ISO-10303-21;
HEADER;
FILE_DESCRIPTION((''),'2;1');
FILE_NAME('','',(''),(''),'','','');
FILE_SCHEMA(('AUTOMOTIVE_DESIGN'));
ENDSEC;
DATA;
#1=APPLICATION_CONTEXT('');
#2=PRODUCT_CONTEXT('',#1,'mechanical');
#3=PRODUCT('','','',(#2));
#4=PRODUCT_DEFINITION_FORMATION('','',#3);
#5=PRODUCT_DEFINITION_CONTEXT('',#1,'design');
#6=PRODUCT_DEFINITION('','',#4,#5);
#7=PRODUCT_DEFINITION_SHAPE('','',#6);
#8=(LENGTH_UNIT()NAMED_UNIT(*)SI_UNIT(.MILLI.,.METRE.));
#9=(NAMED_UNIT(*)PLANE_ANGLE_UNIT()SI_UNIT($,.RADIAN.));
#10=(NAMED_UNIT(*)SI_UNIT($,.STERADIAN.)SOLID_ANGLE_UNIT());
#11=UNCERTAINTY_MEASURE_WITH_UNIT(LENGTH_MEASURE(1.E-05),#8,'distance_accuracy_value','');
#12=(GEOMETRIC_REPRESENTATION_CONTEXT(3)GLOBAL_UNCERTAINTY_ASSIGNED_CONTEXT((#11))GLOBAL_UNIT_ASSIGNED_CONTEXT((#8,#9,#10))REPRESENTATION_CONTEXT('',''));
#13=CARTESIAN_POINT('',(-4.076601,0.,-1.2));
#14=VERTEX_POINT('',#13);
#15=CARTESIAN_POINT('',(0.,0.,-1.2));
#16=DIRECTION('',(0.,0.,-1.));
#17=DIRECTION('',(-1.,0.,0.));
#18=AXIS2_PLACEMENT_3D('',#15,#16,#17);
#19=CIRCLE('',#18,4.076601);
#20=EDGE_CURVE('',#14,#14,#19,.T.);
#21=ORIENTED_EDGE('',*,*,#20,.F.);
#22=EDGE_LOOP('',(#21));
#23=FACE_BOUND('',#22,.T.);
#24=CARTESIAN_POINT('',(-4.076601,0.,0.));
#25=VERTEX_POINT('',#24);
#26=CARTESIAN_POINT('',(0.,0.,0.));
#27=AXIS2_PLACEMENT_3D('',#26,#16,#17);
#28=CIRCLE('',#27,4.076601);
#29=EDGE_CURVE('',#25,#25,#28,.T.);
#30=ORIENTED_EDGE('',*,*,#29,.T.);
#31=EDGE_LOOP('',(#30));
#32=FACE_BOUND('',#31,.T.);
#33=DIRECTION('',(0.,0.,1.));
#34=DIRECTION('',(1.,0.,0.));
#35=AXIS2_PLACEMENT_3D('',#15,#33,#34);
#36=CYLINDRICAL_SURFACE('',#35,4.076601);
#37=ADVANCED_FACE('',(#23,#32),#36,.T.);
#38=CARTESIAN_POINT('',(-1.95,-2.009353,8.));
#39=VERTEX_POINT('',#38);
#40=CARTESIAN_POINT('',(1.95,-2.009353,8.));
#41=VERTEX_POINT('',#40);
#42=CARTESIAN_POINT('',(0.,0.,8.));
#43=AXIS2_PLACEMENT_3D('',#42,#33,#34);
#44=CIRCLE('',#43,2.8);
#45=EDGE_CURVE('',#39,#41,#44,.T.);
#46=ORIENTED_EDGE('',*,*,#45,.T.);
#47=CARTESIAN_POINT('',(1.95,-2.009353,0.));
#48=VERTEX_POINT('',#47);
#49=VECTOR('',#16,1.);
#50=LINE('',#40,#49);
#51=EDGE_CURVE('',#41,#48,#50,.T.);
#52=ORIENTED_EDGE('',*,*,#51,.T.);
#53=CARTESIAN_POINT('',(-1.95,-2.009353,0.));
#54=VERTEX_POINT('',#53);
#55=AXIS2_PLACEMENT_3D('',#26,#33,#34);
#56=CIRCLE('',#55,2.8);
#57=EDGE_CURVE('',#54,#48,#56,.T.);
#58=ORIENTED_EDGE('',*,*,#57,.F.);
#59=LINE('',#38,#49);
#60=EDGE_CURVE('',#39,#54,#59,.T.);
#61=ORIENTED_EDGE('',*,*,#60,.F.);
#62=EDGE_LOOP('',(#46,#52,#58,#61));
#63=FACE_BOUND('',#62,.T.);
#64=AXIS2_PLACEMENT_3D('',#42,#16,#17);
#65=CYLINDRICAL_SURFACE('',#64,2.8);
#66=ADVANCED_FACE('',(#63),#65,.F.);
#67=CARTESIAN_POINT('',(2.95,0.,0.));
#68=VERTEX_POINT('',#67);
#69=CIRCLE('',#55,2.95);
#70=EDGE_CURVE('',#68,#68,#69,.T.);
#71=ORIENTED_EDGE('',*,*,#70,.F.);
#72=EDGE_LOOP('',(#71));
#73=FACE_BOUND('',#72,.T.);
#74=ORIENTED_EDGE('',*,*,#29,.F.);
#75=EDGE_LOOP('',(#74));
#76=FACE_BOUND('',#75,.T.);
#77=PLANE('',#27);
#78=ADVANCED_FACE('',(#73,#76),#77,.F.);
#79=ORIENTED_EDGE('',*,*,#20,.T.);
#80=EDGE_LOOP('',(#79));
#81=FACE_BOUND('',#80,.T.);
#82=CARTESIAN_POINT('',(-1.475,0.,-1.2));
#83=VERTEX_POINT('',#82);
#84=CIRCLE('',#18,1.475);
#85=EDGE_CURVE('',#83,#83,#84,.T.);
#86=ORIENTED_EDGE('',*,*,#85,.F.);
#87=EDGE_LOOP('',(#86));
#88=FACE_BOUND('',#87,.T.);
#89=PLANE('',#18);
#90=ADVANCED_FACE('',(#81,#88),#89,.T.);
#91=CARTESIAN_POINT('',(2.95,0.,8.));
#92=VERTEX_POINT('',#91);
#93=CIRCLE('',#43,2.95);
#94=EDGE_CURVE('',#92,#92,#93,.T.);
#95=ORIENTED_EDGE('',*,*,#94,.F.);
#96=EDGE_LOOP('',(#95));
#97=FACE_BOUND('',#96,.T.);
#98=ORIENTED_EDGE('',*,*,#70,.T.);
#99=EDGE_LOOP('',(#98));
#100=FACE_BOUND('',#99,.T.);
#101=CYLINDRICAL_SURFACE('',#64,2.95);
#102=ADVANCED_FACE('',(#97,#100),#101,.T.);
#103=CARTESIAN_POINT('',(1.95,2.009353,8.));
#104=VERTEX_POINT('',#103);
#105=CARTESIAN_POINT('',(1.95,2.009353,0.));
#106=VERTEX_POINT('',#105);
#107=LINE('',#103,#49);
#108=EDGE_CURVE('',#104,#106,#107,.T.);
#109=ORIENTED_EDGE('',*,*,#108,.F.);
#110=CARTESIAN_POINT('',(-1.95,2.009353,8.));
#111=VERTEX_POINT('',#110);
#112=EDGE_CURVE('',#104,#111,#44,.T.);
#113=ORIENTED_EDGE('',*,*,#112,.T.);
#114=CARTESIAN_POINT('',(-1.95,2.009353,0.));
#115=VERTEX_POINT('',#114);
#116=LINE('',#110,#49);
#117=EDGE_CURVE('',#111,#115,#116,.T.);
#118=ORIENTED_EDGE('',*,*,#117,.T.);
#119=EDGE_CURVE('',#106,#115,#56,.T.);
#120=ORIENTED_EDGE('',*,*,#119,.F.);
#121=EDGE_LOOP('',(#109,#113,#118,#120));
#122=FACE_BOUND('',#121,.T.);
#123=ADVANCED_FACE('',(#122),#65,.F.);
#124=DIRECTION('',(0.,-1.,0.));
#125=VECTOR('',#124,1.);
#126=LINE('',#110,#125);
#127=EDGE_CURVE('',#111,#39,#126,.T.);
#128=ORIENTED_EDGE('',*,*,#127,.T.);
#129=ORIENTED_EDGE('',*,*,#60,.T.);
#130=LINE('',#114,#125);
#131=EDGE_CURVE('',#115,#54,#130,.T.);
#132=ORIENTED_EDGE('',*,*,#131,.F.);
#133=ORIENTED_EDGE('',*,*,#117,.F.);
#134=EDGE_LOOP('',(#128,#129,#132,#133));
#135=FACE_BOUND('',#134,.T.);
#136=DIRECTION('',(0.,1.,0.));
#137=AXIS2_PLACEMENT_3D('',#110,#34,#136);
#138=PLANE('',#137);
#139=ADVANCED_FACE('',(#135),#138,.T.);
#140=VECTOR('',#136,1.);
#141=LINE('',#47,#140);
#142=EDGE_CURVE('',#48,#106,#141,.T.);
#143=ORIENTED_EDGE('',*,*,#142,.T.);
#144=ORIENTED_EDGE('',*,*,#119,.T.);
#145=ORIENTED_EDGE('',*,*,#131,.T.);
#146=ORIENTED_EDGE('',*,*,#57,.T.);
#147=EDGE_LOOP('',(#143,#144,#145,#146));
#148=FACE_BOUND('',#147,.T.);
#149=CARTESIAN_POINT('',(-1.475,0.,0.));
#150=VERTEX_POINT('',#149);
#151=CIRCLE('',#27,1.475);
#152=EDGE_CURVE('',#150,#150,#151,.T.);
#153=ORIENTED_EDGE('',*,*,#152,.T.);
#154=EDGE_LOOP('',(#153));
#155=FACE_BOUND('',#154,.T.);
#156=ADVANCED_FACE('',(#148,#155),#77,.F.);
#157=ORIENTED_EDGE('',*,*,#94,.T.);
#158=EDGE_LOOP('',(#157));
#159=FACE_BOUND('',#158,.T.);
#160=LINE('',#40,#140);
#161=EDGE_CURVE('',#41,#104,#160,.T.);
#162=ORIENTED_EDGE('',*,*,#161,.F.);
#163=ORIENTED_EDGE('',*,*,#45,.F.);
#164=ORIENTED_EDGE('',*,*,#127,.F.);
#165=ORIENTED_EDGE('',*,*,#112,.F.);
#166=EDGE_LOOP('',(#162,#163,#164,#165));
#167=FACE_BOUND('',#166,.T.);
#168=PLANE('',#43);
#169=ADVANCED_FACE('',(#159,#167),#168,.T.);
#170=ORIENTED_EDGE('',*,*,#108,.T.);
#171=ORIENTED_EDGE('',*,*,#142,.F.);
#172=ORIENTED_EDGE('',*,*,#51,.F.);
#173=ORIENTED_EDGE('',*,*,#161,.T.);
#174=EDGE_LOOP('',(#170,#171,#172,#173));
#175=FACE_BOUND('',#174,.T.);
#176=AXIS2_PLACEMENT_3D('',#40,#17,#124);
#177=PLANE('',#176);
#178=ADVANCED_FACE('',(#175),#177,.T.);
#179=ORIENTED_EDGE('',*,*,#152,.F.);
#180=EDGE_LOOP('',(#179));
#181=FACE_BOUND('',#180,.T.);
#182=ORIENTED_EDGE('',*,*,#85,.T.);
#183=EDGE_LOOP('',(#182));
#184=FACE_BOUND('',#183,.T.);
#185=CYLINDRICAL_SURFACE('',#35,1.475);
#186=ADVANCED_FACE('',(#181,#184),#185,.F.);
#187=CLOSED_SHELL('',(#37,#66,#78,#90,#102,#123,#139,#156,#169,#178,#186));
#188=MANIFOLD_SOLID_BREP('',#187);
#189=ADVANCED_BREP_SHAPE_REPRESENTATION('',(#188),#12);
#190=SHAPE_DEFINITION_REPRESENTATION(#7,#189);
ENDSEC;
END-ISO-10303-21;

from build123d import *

# Parameters (mm, degrees)
ESBO_O2_R                = 2.95
RESSALTO_EXTRUS_O1_DEPTH = 8
ESBO_O3_R                = 4.076601305
ESBO_O3_R_2              = 1.475
RESSALTO_EXTRUS_O2_DEPTH = 1.2


with BuildPart() as part:
    # Esboço2 → Ressalto-extrusão1 (new body)
    with BuildSketch(Plane.XY):
        Circle(ESBO_O2_R)
        with BuildLine():
            Line((1.95, -2.00935313), (1.95, 2.00935313))
            ThreePointArc((1.95, 2.00935313), (0, 2.8), (-1.95, 2.00935313))
            Line((-1.95, 2.00935313), (-1.95, -2.00935313))
            ThreePointArc((-1.95, -2.00935313), (0, -2.8), (1.95, -2.00935313))
        make_face(mode=Mode.SUBTRACT)
    extrude(amount=RESSALTO_EXTRUS_O1_DEPTH)

    # Esboço3 → Ressalto-extrusão2 (add)
    with BuildSketch(Plane(origin=(0, 0, 0), x_dir=(-1, 0, 0), z_dir=(0, 0, -1))):
        Circle(ESBO_O3_R)
        Circle(ESBO_O3_R_2, mode=Mode.SUBTRACT)
    extrude(amount=RESSALTO_EXTRUS_O2_DEPTH)


solid = part.part
